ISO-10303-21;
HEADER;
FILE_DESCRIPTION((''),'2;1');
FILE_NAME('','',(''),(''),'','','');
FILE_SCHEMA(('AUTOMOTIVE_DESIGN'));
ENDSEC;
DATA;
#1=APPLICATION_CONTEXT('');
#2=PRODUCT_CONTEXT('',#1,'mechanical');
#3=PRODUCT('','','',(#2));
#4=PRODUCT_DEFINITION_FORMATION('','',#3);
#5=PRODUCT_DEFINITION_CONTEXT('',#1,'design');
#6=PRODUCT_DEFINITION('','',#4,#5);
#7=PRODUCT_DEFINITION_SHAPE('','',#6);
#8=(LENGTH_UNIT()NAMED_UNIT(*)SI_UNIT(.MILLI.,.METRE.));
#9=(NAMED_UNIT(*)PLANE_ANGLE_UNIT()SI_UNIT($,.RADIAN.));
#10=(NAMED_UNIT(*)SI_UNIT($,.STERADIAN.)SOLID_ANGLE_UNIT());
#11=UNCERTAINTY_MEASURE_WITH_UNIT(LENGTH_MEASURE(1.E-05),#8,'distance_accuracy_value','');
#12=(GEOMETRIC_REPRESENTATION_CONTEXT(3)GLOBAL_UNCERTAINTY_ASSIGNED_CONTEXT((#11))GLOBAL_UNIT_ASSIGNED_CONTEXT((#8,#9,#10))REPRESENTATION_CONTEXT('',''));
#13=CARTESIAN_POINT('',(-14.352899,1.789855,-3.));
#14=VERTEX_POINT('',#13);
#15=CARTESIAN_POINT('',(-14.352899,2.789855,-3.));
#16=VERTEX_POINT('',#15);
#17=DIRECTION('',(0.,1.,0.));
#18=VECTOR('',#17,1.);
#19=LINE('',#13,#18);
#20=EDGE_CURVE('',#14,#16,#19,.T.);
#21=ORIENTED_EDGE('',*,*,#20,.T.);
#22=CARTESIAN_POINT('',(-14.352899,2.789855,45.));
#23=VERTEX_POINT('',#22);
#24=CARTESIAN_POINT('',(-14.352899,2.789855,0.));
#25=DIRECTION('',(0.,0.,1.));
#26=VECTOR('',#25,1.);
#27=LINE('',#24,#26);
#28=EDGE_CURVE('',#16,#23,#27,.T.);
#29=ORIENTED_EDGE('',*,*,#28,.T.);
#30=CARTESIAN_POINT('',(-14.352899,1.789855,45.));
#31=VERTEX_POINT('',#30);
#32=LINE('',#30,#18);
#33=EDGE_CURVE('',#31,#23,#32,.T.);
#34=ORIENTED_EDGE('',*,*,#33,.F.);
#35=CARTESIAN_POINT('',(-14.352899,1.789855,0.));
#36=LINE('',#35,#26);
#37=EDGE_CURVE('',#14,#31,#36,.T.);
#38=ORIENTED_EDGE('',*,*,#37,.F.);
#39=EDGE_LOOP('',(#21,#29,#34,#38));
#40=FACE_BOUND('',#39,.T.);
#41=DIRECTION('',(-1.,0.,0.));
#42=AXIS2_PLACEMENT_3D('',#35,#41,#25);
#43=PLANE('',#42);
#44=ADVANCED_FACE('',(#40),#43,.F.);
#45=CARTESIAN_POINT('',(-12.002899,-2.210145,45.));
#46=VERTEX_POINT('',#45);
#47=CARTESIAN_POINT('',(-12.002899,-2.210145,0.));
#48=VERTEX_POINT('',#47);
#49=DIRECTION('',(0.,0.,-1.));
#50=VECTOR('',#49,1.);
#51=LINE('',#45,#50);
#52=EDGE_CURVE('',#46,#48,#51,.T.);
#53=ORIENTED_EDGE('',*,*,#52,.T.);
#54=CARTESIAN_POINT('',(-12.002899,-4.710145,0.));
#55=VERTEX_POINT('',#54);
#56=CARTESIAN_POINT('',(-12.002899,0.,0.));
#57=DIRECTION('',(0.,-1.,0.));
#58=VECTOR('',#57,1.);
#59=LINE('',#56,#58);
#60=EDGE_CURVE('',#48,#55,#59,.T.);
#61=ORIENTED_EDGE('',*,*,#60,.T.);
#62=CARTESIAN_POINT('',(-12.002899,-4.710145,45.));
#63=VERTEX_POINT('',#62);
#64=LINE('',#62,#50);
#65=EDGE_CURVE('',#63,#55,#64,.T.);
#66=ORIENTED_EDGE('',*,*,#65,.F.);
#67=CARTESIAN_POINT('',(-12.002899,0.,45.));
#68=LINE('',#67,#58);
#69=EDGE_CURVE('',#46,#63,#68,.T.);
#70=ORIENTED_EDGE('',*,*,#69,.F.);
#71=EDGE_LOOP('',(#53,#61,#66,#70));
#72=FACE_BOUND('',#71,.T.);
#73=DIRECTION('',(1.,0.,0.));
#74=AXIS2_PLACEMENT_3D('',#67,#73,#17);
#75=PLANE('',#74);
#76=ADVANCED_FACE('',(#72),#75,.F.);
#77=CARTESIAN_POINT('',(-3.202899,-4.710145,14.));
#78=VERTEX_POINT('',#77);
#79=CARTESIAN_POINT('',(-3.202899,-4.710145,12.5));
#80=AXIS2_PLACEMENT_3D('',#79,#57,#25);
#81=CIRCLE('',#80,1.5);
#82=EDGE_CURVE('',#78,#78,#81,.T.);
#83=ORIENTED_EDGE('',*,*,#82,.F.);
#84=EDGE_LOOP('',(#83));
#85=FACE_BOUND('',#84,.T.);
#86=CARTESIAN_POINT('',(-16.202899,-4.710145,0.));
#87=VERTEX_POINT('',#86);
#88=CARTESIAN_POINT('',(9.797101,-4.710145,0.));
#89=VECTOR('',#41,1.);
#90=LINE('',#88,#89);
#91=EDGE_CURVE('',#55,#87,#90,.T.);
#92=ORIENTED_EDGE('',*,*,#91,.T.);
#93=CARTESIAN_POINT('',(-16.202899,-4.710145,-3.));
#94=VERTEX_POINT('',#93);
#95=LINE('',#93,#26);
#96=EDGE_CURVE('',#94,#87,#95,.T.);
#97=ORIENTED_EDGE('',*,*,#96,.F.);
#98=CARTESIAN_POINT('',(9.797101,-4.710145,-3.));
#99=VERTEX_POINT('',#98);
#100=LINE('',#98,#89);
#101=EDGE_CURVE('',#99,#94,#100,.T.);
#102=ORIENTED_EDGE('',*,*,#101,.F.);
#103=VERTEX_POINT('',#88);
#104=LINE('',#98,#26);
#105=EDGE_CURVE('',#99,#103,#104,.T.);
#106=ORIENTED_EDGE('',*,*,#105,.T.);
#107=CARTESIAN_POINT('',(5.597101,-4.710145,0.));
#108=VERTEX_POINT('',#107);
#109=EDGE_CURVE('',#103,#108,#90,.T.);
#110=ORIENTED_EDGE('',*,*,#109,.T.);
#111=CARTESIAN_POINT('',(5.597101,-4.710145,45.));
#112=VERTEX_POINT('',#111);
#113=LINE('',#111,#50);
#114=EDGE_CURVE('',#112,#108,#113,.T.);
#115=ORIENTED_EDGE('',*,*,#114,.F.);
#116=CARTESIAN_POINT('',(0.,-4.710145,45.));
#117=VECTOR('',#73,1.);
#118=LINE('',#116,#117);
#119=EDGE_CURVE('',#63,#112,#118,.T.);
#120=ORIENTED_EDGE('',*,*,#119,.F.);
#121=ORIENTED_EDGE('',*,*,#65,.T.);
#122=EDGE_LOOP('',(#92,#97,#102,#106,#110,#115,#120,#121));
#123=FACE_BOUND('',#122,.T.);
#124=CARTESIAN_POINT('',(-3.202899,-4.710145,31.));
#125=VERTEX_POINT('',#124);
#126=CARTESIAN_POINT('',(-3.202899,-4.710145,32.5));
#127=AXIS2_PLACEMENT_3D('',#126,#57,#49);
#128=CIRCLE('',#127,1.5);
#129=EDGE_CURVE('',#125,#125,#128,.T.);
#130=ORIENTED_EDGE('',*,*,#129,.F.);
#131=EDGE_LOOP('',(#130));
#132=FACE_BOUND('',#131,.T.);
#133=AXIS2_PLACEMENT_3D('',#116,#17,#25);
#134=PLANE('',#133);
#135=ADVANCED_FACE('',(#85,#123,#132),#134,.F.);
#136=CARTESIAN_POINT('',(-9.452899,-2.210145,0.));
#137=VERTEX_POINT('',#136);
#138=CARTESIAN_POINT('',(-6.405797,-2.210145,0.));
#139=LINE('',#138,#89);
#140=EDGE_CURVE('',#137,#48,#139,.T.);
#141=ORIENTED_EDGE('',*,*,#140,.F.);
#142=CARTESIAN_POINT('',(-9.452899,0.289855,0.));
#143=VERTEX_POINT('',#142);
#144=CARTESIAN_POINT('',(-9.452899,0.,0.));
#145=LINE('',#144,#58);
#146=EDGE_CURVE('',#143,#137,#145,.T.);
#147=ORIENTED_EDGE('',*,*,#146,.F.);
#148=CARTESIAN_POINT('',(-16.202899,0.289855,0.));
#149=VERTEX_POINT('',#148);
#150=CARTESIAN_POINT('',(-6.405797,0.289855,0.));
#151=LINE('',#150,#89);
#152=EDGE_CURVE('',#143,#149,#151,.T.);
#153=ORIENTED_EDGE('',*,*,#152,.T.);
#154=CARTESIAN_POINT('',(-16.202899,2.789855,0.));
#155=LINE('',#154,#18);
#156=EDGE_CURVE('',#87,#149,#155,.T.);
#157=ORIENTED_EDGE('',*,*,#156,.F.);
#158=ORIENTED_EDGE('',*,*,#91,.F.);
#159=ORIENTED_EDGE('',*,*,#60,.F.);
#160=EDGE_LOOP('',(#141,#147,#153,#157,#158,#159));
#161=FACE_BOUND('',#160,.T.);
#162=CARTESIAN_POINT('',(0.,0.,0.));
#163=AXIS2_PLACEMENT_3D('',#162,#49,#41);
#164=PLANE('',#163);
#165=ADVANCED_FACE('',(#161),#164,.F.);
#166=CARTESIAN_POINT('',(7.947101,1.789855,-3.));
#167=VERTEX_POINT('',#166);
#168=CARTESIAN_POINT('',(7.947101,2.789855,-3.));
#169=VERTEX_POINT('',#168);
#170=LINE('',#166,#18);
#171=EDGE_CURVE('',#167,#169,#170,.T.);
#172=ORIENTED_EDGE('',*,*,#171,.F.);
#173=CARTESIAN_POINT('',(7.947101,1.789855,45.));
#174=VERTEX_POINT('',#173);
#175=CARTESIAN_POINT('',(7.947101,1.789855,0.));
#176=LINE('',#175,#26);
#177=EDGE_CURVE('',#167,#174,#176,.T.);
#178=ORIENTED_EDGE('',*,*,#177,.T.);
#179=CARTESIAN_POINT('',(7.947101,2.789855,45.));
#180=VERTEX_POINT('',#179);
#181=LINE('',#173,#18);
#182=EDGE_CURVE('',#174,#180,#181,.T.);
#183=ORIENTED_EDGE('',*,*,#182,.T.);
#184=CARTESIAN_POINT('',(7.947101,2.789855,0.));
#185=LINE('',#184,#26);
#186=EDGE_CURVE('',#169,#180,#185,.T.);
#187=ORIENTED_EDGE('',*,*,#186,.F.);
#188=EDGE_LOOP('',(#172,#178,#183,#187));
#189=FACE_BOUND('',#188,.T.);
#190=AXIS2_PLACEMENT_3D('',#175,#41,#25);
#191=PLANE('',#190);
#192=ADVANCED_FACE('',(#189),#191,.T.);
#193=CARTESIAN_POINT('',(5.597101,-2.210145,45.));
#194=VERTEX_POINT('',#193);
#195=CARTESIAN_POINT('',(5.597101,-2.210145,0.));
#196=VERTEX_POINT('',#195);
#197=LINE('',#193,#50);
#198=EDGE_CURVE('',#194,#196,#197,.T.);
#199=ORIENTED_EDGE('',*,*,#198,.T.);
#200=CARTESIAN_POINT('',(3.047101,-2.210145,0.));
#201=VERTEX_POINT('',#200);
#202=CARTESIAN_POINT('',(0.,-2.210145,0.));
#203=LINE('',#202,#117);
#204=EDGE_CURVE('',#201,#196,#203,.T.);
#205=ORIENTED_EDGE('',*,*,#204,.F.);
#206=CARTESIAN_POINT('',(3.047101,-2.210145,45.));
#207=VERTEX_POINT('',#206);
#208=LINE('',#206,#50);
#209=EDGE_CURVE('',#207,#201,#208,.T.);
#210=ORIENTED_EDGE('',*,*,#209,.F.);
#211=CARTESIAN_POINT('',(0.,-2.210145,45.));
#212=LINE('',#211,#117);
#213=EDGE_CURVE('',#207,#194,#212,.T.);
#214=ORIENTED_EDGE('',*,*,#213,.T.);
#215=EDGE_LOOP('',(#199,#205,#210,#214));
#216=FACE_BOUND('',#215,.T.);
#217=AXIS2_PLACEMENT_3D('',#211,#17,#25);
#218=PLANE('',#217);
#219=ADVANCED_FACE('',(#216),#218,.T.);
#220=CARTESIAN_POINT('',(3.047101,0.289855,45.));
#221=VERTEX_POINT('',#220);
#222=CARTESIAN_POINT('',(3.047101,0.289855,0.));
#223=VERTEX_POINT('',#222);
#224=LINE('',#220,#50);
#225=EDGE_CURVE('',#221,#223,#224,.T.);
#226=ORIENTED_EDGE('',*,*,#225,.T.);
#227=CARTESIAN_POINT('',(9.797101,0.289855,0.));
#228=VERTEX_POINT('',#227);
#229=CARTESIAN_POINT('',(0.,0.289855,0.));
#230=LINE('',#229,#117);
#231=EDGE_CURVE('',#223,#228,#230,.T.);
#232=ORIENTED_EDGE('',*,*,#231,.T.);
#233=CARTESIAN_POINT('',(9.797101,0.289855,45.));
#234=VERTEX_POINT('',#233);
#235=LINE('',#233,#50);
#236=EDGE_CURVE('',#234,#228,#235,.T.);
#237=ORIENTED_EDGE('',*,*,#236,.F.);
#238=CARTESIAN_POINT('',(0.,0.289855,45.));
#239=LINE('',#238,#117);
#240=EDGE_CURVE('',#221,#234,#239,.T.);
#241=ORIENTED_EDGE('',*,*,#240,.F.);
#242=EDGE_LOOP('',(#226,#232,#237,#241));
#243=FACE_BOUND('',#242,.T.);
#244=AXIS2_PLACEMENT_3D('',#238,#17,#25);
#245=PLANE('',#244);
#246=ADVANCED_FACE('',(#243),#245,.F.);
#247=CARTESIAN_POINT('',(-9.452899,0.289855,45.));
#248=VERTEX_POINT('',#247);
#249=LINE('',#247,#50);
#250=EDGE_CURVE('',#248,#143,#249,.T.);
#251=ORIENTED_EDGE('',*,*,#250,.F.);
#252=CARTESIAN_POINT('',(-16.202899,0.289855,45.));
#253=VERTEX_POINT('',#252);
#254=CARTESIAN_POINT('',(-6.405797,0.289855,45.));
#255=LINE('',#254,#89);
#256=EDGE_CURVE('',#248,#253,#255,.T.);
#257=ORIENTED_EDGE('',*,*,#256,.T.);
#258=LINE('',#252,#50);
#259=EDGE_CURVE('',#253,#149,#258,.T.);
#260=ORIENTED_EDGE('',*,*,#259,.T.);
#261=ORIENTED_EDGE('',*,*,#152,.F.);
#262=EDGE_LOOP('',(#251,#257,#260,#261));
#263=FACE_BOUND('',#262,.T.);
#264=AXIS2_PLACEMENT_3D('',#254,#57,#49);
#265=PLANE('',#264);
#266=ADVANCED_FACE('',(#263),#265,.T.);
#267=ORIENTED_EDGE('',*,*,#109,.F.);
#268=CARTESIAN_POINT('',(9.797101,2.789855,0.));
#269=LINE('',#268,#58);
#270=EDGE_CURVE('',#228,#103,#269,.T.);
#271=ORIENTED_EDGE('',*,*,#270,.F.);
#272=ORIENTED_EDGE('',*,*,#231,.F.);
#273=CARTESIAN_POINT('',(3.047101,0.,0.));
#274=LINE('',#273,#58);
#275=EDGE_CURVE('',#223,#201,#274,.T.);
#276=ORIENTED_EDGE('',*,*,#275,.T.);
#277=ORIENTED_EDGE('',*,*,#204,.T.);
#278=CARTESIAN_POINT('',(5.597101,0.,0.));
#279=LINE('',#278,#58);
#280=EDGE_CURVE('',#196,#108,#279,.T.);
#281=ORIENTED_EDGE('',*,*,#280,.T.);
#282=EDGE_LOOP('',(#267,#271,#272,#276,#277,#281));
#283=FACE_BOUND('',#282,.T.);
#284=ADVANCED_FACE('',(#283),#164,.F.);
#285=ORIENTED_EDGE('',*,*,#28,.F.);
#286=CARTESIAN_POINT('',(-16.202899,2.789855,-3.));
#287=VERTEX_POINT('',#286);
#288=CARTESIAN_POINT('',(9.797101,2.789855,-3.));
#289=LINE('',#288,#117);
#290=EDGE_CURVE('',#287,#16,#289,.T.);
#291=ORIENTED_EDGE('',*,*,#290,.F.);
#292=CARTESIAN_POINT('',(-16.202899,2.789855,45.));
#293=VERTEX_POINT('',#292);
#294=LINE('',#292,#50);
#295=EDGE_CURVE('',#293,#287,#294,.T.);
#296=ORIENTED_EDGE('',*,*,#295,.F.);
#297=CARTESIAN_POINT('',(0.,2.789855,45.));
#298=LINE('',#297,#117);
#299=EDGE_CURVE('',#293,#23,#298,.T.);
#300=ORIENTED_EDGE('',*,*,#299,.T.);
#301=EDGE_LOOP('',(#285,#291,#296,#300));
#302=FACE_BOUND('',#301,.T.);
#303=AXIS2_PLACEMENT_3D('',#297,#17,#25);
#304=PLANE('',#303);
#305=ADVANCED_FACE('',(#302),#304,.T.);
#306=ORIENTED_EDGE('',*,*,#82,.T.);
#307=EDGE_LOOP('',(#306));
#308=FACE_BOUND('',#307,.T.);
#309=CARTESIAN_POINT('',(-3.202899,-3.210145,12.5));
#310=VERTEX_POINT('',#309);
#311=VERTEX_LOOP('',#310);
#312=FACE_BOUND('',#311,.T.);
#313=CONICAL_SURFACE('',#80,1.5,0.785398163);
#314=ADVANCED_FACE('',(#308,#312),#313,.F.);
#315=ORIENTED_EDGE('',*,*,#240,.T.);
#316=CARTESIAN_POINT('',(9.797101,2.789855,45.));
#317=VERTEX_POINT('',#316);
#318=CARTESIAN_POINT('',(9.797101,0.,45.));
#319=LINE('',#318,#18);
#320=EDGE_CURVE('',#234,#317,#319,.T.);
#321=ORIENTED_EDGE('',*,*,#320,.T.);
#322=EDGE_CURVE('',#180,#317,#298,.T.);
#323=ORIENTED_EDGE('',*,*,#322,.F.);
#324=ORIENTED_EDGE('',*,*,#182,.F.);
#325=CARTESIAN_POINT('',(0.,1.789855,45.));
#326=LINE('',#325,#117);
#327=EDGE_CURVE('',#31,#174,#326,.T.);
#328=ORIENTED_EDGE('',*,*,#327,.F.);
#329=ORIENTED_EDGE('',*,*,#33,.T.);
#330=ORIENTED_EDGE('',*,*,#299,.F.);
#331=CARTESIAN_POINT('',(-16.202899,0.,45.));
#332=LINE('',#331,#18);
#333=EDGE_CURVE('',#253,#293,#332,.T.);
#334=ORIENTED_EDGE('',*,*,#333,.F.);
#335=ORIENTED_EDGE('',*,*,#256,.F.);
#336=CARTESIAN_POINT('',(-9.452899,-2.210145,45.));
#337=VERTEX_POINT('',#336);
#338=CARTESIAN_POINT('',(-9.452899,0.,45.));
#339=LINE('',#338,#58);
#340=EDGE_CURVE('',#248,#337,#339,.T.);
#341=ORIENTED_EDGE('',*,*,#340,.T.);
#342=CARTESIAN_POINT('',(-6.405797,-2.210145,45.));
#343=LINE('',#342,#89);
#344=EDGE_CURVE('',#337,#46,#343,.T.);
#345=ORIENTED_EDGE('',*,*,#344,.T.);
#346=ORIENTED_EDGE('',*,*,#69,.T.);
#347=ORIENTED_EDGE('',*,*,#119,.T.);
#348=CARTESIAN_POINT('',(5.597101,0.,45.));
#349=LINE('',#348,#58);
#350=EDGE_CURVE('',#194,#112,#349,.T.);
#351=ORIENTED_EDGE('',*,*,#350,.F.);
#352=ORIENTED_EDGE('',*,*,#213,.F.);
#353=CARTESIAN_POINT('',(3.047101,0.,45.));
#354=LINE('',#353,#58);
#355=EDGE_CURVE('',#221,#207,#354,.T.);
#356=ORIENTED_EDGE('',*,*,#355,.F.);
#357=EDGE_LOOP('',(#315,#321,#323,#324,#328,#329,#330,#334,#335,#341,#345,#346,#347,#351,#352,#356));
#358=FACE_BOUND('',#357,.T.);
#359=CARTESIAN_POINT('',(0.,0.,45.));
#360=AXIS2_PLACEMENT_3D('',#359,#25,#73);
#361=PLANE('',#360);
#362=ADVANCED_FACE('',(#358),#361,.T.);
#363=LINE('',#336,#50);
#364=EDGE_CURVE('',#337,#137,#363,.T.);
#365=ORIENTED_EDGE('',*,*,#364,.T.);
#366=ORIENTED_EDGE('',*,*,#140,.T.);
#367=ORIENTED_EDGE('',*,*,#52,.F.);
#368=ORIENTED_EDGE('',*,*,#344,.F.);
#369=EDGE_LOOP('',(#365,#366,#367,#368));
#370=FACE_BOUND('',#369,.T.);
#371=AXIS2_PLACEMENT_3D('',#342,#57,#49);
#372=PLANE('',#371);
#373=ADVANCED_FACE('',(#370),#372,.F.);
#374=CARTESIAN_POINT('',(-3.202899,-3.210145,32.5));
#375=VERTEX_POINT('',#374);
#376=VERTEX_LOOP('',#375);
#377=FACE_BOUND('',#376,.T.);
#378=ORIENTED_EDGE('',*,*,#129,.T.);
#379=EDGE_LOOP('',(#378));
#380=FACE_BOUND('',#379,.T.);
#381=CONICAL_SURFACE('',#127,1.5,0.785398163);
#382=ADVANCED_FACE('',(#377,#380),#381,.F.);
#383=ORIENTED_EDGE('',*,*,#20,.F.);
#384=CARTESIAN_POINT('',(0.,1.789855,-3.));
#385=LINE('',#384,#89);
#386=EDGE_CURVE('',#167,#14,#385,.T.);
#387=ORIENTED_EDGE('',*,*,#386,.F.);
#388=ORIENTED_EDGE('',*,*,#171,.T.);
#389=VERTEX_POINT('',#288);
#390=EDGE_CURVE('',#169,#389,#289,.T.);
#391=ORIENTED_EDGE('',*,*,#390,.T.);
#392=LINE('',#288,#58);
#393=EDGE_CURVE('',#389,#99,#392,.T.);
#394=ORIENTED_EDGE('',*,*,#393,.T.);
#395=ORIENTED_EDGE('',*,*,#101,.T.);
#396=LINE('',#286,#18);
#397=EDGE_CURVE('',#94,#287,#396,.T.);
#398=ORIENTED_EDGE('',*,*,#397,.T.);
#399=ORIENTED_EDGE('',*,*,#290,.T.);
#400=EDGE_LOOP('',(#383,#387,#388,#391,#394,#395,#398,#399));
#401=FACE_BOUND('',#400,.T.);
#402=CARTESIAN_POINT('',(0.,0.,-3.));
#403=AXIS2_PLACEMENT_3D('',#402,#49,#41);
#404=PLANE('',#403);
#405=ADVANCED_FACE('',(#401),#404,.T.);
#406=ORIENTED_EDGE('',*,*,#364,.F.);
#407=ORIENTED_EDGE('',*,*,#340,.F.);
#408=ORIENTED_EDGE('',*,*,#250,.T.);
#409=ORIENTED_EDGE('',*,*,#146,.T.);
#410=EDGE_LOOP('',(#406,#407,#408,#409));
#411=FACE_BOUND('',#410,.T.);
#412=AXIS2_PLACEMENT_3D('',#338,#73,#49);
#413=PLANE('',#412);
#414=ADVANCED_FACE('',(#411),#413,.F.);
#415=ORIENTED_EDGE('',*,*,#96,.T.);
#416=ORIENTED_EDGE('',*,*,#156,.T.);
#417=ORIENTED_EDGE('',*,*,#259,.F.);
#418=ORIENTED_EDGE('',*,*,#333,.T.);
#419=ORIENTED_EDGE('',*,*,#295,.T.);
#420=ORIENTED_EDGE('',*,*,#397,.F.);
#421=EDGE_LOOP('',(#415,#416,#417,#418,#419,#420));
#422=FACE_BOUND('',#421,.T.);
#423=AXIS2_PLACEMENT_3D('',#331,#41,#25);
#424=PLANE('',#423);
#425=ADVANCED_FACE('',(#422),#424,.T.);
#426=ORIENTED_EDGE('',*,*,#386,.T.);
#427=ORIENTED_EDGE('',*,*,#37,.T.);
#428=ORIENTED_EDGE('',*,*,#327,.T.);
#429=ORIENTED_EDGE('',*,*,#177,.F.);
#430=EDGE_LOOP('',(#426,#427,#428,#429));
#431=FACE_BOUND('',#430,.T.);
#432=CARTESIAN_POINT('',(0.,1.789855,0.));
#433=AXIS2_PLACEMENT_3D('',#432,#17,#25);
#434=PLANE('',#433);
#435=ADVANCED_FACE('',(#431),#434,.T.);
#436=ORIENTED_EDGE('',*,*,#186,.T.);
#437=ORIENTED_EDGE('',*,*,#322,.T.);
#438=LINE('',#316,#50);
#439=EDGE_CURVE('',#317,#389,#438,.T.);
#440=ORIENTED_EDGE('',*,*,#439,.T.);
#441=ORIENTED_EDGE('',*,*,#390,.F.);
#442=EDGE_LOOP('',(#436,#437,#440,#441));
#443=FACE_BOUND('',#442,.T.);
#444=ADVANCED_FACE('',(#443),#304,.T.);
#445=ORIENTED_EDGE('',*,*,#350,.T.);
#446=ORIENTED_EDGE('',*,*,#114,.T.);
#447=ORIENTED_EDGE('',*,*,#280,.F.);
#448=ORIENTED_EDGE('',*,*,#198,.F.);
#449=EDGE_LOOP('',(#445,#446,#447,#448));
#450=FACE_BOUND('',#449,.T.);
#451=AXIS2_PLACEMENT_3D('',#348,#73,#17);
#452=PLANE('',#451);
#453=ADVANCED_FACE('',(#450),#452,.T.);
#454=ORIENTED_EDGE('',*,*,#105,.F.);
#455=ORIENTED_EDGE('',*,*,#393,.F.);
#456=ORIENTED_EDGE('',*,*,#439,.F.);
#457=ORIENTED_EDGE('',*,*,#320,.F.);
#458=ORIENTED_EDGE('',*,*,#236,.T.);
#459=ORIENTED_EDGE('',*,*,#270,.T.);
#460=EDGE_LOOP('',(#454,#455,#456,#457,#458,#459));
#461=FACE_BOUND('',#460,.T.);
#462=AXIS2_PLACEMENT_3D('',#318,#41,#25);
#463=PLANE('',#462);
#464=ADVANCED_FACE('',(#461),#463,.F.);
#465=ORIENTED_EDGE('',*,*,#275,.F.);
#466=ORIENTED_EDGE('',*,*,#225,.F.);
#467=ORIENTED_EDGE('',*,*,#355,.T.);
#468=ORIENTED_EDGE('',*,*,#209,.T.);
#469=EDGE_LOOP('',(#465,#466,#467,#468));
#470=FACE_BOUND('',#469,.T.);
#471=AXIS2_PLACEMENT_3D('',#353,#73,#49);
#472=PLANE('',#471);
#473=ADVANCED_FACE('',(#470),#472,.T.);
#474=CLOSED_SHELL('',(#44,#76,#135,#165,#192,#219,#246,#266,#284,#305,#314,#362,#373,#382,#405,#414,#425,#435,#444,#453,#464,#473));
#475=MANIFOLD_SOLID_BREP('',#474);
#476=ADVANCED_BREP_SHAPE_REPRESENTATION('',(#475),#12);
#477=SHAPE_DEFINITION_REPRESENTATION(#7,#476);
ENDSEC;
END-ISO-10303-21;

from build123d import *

# Parameters (mm, degrees)
SKETCH1_W           = 6.25
SKETCH1_H           = 2.5
SKETCH1_W_2         = 8.8
BOSS_EXTRUDE1_DEPTH = 45
SKETCH9_W           = 26
SKETCH9_H           = 7.5
BOSS_EXTRUDE3_DEPTH = 3
SKETCH10_W          = 11.15
SKETCH10_H          = 48
CUT_EXTRUDE3_DEPTH  = 1


with BuildPart() as part:
    # Sketch1 → Boss-Extrude1 (new body)
    with BuildSketch(Plane.XY):
        Polygon((-3.202898551, 2.789855072), (-3.202898551, 0.289855072), (3.047101449, 0.289855072), (9.797101449, 0.289855072), (9.797101449, 2.789855072), align=None)
        with Locations((-0.077898551, -0.960144928)):
            Rectangle(SKETCH1_W, SKETCH1_H)
        with Locations((1.197101449, -3.460144928)):
            Rectangle(SKETCH1_W_2, SKETCH1_H)
    boss_extrude1 = extrude(amount=BOSS_EXTRUDE1_DEPTH)

    # Mirror1: Boss-Extrude1 across plane
    add(boss_extrude1.mirror(Plane(origin=(-3.202898551, 0, 45), x_dir=(0, 0, 1), z_dir=(-1, 0, 0))))

    # Cut-Extrude2 cone 1 section (through the dimple's axis) → Cut-Extrude2 (revolve, cut)
    with BuildSketch(Plane(origin=(-3.202898551, -4.710144928, 32.5), x_dir=(0, 0, -1), z_dir=(1, 0, 0))):
        Polygon((0, 0), (1.5, 0), (0, 1.5), align=None)
    revolve(axis=Axis((-3.202898551, -4.710144928, 32.5), (0, 1, 0)), mode=Mode.SUBTRACT)

    # Cut-Extrude2 cone 2 section (through the dimple's axis) → Cut-Extrude2 cone 2 (revolve, cut)
    with BuildSketch(Plane(origin=(-3.202898551, -4.710144928, 12.5), x_dir=(0, 0, -1), z_dir=(1, 0, 0))):
        Polygon((0, 0), (1.5, 0), (0, 1.5), align=None)
    revolve(axis=Axis((-3.202898551, -4.710144928, 12.5), (0, 1, 0)), mode=Mode.SUBTRACT)

    # Sketch9 → Boss-Extrude3 (add)
    with BuildSketch(Plane(origin=(0, 0, 0), x_dir=(-1, 0, 0), z_dir=(0, 0, -1))):
        with Locations((3.202898551, -0.960144928)):
            Rectangle(SKETCH9_W, SKETCH9_H)
    extrude(amount=BOSS_EXTRUDE3_DEPTH)

    # Sketch10 → Cut-Extrude3 (cut)
    with BuildSketch(Plane(origin=(0, 2.789855072, 0), x_dir=(1, 0, 0), z_dir=(0, 1, 0))):
        with Locations((-8.777898551, -21)):
            Rectangle(SKETCH10_W, SKETCH10_H)
        with Locations((2.372101449, -21)):
            Rectangle(SKETCH10_W, SKETCH10_H)
    extrude(amount=-CUT_EXTRUDE3_DEPTH, mode=Mode.SUBTRACT)


solid = part.part
